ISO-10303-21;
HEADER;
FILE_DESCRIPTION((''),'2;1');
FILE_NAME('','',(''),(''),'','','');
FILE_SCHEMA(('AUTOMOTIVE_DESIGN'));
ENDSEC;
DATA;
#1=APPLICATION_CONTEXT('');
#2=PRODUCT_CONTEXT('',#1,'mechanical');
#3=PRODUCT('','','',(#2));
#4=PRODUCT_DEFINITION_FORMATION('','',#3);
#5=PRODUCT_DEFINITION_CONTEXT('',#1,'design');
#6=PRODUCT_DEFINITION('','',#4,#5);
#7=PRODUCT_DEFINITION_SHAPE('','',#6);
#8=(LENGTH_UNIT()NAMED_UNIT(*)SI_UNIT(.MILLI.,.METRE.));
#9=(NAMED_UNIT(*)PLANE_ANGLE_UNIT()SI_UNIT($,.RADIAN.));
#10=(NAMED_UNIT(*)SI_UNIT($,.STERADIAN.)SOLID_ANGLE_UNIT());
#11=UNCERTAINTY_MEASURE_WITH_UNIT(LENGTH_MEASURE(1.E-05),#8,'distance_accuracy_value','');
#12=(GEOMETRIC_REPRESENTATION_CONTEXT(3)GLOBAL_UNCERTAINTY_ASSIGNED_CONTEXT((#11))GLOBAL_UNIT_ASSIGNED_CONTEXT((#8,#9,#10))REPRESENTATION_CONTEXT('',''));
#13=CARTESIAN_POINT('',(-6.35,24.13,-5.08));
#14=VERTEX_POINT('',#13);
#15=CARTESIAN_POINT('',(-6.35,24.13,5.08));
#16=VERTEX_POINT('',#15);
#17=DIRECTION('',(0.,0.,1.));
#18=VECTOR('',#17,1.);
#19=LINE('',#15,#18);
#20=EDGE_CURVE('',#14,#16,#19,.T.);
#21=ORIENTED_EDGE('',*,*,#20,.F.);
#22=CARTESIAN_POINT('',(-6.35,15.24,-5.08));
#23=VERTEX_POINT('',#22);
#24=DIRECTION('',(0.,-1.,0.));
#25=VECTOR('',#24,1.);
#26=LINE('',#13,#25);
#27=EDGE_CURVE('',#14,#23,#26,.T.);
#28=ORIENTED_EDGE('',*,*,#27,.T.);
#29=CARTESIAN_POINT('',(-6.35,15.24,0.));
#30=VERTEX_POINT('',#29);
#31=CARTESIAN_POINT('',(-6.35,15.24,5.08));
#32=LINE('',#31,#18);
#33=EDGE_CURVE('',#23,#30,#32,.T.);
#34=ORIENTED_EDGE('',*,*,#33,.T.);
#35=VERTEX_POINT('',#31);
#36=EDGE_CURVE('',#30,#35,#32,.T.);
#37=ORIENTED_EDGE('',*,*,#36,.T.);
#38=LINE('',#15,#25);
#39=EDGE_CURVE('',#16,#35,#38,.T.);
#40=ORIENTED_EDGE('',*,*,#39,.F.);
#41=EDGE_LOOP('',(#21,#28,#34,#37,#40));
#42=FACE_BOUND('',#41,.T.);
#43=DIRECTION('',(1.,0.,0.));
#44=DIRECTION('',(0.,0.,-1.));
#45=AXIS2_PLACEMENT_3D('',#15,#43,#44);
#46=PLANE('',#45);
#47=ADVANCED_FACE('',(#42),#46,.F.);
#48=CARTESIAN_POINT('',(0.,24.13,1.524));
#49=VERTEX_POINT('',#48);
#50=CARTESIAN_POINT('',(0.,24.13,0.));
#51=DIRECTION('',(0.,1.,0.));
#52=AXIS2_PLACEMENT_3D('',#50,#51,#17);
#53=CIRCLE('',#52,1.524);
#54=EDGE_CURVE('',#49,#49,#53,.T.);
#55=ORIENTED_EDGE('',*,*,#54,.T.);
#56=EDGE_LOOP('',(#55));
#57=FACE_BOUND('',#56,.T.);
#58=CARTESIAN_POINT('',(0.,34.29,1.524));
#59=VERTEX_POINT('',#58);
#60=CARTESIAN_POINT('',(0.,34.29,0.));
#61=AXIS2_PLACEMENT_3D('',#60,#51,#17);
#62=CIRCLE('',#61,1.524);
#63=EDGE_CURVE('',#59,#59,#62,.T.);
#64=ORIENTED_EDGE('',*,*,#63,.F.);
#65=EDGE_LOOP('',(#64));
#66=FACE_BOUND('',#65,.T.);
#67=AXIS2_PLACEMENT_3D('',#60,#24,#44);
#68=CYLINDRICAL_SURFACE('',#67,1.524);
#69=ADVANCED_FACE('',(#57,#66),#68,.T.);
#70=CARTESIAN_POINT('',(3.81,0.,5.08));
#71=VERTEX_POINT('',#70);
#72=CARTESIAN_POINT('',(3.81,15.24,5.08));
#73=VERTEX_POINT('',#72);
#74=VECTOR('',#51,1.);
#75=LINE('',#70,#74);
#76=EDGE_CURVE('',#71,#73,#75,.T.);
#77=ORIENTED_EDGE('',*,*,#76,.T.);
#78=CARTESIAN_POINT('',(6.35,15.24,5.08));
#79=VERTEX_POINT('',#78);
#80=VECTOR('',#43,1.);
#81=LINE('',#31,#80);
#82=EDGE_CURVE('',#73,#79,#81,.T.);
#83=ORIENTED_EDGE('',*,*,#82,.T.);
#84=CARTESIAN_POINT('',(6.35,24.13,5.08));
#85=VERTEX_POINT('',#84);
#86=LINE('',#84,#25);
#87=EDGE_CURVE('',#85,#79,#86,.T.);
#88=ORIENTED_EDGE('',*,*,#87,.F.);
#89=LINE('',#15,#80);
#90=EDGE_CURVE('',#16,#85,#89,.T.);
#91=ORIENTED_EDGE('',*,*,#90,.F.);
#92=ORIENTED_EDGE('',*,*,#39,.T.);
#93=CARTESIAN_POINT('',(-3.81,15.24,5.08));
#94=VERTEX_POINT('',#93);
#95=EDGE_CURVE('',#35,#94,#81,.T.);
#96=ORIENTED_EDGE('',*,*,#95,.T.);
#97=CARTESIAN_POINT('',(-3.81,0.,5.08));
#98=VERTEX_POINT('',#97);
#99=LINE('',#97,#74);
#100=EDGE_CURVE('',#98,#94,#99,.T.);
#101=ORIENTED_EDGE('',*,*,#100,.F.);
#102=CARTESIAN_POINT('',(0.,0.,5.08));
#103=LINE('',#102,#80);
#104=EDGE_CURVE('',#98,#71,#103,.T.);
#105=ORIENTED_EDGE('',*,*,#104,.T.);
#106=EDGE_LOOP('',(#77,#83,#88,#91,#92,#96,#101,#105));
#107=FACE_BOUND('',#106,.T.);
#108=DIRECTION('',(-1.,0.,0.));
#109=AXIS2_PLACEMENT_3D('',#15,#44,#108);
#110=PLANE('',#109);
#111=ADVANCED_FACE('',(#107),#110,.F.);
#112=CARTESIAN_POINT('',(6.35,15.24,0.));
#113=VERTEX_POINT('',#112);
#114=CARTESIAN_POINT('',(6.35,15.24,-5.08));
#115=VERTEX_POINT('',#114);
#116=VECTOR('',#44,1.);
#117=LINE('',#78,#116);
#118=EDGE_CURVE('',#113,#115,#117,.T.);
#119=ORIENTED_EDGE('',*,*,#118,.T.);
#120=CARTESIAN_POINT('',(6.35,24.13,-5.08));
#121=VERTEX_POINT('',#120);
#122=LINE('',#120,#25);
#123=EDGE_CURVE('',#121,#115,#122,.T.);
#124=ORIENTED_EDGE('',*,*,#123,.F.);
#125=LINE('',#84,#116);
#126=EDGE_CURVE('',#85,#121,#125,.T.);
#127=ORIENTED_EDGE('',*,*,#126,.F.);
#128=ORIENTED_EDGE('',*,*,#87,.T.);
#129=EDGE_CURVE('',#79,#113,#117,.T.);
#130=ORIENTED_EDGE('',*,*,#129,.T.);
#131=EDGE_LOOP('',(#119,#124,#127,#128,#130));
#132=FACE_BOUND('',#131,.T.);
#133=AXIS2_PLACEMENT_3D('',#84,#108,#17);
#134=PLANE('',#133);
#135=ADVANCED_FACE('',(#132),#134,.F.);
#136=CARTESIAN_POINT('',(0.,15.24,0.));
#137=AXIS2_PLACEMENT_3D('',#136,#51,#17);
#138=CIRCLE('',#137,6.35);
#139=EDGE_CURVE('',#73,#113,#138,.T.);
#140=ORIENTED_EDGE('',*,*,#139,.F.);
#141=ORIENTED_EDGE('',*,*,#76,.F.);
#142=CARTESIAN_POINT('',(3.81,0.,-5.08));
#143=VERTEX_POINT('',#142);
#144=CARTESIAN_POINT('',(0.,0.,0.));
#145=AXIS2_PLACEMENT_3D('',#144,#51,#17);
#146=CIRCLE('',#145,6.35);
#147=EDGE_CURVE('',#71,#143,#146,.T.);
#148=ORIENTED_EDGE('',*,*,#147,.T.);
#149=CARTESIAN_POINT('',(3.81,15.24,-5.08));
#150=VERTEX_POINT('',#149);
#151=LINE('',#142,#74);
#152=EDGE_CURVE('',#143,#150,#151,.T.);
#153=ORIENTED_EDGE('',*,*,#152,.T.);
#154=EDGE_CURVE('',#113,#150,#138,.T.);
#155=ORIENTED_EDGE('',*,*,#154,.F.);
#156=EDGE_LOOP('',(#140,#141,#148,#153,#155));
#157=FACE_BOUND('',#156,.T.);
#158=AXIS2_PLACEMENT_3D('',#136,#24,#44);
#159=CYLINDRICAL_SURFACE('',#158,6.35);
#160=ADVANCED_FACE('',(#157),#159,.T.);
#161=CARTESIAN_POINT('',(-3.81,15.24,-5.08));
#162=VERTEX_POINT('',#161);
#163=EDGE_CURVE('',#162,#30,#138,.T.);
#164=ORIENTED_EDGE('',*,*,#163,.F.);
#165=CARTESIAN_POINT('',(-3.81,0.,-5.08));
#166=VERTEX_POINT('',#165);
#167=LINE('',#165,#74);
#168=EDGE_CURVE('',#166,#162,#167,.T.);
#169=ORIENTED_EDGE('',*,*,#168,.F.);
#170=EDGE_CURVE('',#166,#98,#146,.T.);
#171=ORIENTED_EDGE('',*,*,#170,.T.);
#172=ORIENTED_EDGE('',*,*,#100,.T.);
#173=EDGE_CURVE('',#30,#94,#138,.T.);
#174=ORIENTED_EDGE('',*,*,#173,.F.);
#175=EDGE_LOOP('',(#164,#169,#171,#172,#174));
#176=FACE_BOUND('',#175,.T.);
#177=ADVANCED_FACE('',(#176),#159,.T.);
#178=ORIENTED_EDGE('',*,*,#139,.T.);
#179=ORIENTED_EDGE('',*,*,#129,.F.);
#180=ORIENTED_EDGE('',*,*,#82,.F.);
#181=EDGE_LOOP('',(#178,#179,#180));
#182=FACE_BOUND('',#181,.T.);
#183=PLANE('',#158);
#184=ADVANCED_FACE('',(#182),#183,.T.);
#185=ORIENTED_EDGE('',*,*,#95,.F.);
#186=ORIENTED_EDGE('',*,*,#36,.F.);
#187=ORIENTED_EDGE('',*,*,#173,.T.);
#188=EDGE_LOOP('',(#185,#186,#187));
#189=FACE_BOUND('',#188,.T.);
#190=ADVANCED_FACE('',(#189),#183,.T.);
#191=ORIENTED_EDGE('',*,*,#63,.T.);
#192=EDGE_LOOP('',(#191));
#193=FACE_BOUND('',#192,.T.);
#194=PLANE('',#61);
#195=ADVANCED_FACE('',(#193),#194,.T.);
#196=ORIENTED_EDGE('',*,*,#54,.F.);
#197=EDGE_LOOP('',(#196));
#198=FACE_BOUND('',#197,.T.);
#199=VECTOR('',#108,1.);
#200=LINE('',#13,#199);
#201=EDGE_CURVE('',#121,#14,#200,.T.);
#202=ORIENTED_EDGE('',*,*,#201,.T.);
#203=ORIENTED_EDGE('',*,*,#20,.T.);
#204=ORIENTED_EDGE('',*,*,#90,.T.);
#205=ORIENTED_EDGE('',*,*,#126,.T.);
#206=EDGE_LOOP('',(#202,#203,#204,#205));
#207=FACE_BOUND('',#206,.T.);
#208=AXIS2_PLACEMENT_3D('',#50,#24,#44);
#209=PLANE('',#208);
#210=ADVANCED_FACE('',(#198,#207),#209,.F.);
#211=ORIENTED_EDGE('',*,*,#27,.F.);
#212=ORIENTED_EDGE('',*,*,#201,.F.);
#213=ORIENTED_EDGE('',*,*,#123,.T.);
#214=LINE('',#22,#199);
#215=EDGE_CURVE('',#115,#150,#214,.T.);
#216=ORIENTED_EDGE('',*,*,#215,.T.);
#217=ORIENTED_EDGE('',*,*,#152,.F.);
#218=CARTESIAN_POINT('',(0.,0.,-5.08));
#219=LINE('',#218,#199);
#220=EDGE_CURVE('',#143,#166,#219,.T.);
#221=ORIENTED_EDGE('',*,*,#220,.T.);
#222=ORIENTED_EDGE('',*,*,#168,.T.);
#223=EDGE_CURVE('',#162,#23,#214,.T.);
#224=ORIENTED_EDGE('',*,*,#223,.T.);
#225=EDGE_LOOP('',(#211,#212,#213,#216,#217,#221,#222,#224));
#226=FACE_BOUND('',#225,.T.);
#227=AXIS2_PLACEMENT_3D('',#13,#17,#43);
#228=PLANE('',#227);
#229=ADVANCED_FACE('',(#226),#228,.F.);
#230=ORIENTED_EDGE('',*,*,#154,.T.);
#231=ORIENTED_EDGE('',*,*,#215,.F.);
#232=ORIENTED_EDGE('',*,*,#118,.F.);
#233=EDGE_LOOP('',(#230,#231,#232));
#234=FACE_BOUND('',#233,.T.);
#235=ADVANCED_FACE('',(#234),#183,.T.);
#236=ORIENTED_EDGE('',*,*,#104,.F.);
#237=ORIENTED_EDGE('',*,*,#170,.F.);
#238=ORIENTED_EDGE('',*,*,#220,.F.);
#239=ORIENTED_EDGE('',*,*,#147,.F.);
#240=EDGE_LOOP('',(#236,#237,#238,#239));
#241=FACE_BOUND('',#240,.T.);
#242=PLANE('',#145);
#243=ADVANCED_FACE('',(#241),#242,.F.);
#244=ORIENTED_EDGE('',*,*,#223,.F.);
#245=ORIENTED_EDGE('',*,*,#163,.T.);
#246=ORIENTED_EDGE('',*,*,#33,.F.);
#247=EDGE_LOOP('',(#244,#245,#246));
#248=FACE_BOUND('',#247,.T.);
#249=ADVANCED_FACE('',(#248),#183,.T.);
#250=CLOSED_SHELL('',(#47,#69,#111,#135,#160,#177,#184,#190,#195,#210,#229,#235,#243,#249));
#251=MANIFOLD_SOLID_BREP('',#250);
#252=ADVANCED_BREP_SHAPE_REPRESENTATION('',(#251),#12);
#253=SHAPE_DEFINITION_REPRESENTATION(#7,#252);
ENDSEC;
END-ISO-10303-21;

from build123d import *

# Parameters (mm, degrees)
SKETCH1_R           = 6.35
BOSS_EXTRUDE1_DEPTH = 15.24
SKETCH3_W           = 12.7
SKETCH3_H           = 10.16
BOSS_EXTRUDE2_DEPTH = 8.89
CUT_EXTRUDE2_DEPTH  = 26.746881365
SKETCH5_R           = 1.524
BOSS_EXTRUDE3_DEPTH = 10.16


with BuildPart() as part:
    # Sketch1 → Boss-Extrude1 (new body)
    with BuildSketch(Plane(origin=(0, 0, 0), x_dir=(1, 0, 0), z_dir=(0, 1, 0))):
        with Locations(Location((0, 0, 0), (0, 0, 90))):
            Circle(SKETCH1_R)
    extrude(amount=BOSS_EXTRUDE1_DEPTH)

    # Sketch3 → Boss-Extrude2 (add)
    with BuildSketch(Plane(origin=(0, 15.24, 0), x_dir=(1, 0, 0), z_dir=(0, 1, 0))):
        Rectangle(SKETCH3_W, SKETCH3_H)
    extrude(amount=BOSS_EXTRUDE2_DEPTH)

    # Sketch4 → Cut-Extrude2 (cut, through all)
    with BuildSketch(Plane(origin=(0, 24.13, 0), x_dir=(1, 0, 0), z_dir=(0, 1, 0))):
        with BuildLine():
            ThreePointArc((3.81, 5.08), (0, 6.35), (-3.81, 5.08))
            Line((-3.81, 5.08), (3.81, 5.08))
        make_face()
        with BuildLine():
            Line((3.81, -5.08), (-3.81, -5.08))
            ThreePointArc((-3.81, -5.08), (0, -6.35), (3.81, -5.08))
        make_face()
    extrude(amount=-CUT_EXTRUDE2_DEPTH, mode=Mode.SUBTRACT)

    # Sketch5 → Boss-Extrude3 (add)
    with BuildSketch(Plane(origin=(0, 24.13, 0), x_dir=(1, 0, 0), z_dir=(0, 1, 0))):
        with Locations(Location((0, 0, 0), (0, 0, 270))):
            Circle(SKETCH5_R)
    extrude(amount=BOSS_EXTRUDE3_DEPTH)


solid = part.part
